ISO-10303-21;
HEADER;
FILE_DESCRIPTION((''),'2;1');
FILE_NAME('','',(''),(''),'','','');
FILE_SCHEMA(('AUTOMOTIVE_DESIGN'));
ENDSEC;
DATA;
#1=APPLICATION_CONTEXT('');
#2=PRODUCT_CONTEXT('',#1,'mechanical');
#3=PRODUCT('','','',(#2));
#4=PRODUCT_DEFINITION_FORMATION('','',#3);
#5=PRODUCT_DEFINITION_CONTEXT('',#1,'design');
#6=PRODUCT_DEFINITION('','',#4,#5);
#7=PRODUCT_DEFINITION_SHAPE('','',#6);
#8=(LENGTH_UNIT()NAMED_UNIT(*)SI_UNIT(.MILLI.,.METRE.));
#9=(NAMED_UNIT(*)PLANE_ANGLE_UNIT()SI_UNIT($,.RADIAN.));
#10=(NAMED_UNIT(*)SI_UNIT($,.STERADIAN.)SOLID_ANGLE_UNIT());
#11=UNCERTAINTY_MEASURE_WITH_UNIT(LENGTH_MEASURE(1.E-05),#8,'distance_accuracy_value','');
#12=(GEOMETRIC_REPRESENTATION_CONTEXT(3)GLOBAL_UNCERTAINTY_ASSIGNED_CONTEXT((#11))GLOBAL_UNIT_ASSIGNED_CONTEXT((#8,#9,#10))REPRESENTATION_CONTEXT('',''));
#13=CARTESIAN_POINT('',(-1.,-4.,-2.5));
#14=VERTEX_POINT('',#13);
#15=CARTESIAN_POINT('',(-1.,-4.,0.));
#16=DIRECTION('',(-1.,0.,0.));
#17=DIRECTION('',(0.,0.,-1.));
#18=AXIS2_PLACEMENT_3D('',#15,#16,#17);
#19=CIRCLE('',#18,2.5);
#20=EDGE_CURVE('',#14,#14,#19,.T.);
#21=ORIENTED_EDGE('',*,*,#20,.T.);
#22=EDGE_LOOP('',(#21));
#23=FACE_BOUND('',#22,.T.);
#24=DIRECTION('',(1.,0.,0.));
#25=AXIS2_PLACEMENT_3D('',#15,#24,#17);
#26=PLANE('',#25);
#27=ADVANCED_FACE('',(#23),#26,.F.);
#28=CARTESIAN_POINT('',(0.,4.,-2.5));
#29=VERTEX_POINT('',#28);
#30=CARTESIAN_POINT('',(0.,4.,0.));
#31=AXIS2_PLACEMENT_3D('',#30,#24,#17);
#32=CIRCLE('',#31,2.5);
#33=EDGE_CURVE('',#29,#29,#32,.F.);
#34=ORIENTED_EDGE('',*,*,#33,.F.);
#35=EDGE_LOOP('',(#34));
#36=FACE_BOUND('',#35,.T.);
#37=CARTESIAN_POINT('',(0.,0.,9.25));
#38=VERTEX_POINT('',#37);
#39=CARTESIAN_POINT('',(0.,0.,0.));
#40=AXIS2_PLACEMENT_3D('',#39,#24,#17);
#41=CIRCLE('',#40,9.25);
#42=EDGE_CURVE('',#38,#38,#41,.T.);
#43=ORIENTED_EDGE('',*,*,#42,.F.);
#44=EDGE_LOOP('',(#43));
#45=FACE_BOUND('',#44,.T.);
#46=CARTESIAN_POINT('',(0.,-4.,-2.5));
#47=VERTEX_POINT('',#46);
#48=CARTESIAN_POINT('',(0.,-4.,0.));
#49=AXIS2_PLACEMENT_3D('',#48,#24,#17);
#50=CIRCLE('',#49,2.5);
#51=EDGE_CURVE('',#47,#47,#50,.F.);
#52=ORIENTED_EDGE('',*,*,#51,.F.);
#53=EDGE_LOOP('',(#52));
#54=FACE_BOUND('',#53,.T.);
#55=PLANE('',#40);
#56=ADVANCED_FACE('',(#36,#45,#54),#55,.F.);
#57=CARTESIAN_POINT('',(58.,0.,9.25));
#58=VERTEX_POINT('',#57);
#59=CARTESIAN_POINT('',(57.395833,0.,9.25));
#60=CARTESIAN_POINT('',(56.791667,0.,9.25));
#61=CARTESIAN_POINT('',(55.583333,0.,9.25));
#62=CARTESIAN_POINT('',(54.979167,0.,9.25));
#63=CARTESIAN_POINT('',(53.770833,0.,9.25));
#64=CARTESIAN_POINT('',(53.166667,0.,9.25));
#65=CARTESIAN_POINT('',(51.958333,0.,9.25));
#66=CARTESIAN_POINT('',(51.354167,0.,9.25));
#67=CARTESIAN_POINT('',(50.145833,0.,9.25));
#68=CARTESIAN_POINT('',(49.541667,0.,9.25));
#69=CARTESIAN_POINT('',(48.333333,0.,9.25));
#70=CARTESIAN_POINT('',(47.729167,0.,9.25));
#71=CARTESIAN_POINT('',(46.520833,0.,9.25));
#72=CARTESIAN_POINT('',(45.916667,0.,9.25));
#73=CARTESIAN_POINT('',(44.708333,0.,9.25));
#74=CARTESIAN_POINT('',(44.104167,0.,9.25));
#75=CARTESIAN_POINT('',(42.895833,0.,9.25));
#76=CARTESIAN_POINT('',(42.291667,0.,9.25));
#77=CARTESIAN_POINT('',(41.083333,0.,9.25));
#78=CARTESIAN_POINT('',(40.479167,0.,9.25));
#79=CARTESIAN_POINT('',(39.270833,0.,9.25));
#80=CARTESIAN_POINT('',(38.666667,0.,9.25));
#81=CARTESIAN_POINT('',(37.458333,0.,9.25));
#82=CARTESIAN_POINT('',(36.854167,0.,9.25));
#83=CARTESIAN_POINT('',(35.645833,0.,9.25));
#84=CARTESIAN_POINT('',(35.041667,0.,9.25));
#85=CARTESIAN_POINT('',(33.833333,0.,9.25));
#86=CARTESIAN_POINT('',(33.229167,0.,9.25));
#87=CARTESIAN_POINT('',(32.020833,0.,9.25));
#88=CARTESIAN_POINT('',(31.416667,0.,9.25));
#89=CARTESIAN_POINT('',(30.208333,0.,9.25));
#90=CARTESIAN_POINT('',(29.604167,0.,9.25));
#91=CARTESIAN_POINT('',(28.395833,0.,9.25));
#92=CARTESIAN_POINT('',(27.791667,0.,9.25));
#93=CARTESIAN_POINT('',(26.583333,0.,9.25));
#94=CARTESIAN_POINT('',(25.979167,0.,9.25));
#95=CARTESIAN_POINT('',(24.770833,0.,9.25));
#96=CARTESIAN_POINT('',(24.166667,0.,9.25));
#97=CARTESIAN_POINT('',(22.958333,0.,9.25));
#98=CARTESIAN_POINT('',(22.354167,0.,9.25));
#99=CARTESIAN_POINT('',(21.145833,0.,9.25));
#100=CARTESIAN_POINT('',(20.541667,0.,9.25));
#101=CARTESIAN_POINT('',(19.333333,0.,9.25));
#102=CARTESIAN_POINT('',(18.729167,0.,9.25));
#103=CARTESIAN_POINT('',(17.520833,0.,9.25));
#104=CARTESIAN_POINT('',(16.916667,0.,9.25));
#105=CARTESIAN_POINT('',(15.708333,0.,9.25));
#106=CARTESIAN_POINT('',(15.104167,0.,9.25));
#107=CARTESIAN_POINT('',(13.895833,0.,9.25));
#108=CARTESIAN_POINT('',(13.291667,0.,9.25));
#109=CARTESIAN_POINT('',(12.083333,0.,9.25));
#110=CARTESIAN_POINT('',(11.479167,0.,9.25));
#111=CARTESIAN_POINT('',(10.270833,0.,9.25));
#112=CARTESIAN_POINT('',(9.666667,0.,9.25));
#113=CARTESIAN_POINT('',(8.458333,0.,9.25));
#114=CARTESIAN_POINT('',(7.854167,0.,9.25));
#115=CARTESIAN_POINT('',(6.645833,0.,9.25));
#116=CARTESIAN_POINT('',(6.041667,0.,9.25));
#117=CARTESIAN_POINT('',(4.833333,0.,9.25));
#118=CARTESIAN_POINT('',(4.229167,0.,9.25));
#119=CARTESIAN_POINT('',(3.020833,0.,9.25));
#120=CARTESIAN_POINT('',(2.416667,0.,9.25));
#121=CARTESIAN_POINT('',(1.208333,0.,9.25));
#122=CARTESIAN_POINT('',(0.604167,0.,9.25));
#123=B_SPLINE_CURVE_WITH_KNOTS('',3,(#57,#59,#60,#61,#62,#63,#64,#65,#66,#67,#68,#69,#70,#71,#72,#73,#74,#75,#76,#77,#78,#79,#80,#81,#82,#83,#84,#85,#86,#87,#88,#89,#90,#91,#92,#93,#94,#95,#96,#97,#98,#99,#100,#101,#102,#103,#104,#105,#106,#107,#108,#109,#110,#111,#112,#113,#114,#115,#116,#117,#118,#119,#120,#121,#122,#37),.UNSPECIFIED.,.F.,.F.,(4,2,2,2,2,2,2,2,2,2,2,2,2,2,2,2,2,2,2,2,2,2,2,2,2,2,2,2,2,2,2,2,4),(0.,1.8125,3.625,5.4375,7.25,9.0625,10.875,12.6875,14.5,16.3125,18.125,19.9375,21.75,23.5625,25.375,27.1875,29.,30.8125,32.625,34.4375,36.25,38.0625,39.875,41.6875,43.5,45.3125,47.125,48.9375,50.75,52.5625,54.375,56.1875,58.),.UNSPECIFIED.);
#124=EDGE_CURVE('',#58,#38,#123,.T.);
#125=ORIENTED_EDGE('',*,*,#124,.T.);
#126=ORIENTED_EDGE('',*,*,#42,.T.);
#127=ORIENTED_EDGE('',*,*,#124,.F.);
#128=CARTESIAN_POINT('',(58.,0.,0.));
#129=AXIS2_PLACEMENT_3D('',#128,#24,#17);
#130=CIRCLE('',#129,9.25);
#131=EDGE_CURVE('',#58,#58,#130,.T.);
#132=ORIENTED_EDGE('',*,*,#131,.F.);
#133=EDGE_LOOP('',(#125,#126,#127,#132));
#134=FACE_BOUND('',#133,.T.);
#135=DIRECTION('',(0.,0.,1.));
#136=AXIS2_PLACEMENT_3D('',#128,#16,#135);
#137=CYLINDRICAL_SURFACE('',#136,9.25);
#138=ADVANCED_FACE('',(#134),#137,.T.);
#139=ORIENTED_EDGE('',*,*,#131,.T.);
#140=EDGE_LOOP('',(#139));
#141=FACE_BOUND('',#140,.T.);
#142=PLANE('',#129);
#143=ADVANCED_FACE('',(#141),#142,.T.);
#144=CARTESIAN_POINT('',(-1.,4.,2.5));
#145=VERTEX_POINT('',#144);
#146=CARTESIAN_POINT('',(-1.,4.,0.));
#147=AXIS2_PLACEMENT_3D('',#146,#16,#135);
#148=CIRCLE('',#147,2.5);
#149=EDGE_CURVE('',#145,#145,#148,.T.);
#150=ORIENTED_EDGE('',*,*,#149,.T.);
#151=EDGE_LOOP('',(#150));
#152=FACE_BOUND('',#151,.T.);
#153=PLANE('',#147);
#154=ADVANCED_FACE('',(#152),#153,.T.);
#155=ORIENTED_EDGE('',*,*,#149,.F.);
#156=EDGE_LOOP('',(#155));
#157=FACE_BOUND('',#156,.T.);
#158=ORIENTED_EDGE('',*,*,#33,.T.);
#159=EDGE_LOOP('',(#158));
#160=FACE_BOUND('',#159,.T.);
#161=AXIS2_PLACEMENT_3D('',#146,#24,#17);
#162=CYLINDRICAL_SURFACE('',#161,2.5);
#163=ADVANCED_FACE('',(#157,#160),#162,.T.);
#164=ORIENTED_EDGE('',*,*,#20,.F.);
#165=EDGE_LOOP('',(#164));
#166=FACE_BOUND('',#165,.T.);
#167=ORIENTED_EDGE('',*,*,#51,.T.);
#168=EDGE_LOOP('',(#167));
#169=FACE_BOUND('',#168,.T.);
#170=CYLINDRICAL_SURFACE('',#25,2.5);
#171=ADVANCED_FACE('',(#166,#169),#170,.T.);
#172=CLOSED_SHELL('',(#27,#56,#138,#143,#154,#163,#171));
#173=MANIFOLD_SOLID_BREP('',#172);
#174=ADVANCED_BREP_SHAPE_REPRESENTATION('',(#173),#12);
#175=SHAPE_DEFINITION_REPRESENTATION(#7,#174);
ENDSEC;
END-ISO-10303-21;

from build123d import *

# Parameters (mm, degrees)
SKETCH1_R           = 9.25
BOSS_EXTRUDE1_DEPTH = 58
SKETCH2_R           = 2.5
BOSS_EXTRUDE2_DEPTH = 1


with BuildPart() as part:
    # Sketch1 → Boss-Extrude1 (new body)
    with BuildSketch(Plane(origin=(0, 0, 0), x_dir=(0, 0, -1), z_dir=(1, 0, 0))):
        with Locations(Location((0, 0, 0), (0, 0, 180))):
            Circle(SKETCH1_R)
    extrude(amount=BOSS_EXTRUDE1_DEPTH)

    # Sketch2 → Boss-Extrude2 (add)
    with BuildSketch(Plane.ZY):
        with Locations(Location((0, 4, 0), (0, 0, 180))):
            Circle(SKETCH2_R)
        with Locations(Location((0, -4, 0), (0, 0, 180))):
            Circle(SKETCH2_R)
    extrude(amount=BOSS_EXTRUDE2_DEPTH)


solid = part.part
